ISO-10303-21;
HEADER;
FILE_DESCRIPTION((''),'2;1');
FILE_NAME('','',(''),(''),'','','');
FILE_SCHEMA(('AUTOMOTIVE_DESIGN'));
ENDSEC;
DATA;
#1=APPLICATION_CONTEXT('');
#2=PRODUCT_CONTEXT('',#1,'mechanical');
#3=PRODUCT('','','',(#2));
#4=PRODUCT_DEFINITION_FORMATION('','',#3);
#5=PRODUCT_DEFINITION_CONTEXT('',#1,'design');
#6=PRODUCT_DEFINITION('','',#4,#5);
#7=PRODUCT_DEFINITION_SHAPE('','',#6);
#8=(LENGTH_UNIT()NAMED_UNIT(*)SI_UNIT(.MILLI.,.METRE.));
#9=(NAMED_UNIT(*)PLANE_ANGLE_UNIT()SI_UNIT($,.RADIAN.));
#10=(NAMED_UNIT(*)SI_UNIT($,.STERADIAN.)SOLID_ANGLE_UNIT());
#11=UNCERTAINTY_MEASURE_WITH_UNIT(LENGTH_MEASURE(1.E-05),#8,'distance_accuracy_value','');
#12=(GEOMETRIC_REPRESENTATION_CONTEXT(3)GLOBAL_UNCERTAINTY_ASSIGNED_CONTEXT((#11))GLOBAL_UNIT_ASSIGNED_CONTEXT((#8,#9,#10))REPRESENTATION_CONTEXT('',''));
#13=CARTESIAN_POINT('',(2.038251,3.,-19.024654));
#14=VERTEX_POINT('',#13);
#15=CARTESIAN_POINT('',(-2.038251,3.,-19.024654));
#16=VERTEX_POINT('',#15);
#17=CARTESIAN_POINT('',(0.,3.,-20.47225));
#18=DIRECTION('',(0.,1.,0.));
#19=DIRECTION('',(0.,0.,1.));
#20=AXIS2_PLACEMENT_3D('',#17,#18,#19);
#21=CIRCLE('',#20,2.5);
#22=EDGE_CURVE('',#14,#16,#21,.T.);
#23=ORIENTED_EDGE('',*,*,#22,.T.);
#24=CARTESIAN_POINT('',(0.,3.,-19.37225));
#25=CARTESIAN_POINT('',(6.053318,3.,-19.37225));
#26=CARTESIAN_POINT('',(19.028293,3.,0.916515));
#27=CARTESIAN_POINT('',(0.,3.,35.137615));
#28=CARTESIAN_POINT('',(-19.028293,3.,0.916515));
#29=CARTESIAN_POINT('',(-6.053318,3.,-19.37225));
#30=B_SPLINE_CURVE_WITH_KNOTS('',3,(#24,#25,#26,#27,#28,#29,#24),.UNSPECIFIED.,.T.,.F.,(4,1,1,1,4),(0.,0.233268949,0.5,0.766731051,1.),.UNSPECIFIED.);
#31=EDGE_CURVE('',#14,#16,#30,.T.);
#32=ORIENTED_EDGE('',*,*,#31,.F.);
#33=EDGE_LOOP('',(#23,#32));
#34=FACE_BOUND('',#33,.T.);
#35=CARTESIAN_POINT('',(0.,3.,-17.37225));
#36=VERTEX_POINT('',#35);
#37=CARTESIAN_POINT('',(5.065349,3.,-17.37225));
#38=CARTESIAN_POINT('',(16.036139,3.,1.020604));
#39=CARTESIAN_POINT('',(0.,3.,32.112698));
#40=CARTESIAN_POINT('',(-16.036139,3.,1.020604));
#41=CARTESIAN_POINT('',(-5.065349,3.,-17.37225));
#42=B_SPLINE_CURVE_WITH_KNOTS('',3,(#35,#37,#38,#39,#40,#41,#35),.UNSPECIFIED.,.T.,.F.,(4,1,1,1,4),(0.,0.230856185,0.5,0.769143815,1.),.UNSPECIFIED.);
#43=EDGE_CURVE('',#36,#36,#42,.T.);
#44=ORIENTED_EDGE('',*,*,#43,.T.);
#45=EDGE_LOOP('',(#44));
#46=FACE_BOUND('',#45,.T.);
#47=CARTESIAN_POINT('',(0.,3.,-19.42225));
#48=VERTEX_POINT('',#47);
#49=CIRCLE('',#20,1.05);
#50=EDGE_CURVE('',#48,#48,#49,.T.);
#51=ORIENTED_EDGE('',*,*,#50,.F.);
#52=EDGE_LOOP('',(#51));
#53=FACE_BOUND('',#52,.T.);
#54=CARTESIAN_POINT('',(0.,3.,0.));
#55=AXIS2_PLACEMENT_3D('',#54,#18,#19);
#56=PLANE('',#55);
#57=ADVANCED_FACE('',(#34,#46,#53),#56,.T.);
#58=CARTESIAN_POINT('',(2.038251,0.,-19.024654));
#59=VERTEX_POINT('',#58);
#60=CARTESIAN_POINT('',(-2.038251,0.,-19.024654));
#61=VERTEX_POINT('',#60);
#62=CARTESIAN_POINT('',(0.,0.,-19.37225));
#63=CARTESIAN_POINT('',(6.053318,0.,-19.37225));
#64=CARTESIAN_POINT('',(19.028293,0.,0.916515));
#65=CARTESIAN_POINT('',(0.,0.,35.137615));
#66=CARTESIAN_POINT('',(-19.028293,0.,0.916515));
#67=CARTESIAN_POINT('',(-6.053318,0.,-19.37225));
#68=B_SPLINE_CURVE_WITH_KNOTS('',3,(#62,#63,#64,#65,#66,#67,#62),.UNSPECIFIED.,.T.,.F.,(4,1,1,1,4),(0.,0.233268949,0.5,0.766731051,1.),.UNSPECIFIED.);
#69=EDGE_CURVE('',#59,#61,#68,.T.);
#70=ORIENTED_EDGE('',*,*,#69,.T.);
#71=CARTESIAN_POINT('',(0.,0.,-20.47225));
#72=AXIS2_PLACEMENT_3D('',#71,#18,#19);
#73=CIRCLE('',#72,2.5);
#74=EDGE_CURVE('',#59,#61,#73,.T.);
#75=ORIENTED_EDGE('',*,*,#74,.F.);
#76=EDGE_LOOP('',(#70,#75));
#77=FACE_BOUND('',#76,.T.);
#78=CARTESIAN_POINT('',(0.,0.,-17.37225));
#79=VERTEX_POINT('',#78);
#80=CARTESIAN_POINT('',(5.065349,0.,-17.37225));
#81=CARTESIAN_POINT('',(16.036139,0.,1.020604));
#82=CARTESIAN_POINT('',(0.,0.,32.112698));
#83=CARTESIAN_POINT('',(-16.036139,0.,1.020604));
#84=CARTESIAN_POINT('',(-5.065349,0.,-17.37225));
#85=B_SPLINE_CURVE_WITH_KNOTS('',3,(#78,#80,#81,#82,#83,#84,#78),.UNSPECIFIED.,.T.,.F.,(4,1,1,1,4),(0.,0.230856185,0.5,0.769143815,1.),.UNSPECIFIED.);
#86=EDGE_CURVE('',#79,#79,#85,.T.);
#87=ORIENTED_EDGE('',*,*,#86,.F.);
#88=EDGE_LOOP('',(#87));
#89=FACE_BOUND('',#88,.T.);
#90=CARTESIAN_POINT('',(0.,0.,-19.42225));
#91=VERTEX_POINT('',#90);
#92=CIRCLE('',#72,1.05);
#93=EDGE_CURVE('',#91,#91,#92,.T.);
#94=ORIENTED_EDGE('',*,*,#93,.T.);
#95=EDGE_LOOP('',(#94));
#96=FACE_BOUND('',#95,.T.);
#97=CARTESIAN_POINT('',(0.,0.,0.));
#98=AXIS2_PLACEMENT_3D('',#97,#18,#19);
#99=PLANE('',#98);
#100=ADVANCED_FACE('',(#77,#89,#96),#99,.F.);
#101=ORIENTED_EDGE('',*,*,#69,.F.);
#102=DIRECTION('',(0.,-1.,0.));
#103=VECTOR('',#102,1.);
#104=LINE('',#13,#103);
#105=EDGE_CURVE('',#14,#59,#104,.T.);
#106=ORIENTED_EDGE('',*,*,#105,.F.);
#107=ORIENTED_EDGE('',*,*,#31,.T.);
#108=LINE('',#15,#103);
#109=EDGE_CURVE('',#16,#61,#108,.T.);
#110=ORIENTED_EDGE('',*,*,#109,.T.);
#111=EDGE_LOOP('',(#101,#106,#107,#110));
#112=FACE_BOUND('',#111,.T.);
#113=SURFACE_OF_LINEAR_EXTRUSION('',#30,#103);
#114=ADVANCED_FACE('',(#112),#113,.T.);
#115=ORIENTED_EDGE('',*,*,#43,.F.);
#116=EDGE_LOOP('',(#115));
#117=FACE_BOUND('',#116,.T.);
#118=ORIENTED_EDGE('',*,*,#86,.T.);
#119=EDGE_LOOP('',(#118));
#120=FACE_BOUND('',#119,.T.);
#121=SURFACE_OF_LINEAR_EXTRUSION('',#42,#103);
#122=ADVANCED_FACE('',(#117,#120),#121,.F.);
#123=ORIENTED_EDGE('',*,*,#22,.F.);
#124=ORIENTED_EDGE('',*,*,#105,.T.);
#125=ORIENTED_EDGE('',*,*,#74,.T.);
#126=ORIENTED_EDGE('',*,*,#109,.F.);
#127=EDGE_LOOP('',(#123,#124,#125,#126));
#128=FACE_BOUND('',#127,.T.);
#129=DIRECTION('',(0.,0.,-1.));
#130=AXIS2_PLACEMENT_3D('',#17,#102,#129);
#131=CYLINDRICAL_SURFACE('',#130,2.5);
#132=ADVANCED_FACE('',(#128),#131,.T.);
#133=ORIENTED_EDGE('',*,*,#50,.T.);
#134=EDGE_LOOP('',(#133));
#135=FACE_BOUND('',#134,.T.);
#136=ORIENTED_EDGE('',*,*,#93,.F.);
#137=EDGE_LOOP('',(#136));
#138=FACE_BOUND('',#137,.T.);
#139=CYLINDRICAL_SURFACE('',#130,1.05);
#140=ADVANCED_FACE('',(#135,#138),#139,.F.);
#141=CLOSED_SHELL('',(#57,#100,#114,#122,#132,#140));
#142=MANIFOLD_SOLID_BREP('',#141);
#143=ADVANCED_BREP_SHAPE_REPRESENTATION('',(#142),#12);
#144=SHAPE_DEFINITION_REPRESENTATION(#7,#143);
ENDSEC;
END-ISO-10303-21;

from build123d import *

# Parameters (mm, degrees)
SKETCH1_R           = 1.05
BOSS_EXTRUDE1_DEPTH = 3


with BuildPart() as part:
    # Sketch1 → Boss-Extrude1 (new body)
    # profile 1 of 2: a face of its own
    with BuildSketch(Plane(origin=(0, 0, 0), x_dir=(1, 0, 0), z_dir=(0, 1, 0))):
        with BuildLine():
            add(Edge.make_bspline(
                [(0, 19.37225), (0.682051251, 19.37225), (1.364102503, 19.25208178), (2.038250623, 19.024653924)],
                knots=[0, 0, 0, 0, 0.026283335, 0.026283335, 0.026283335, 0.026283335], degree=3))
            ThreePointArc((2.038250623, 19.024653924), (0, 22.97225), (-2.038250623, 19.024653924))
            add(Edge.make_bspline(
                [(-2.038250623, 19.024653924), (-1.364102503, 19.25208178), (-0.682051251, 19.37225), (0, 19.37225)],
                knots=[0.973716665, 0.973716665, 0.973716665, 0.973716665, 1, 1, 1, 1], degree=3))
        make_face()
        with Locations(Location((0, 20.47225, 0), (0, 0, 270))):
            Circle(SKETCH1_R, mode=Mode.SUBTRACT)
    # profile 2 of 2: a face of its own
    with BuildSketch(Plane(origin=(0, 0, 0), x_dir=(1, 0, 0), z_dir=(0, 1, 0))):
        with BuildLine():
            add(Edge.make_bspline(
                [(0, 19.37225), (6.053317743, 19.37225), (19.028293147, -0.916515404), (0, -35.137615431), (-19.028293147, -0.916515404), (-6.053317743, 19.37225), (0, 19.37225)],
                knots=[0, 0, 0, 0, 0.233268949, 0.5, 0.766731051, 1, 1, 1, 1], degree=3))
        make_face()
        with BuildLine():
            add(Edge.make_bspline(
                [(0, 17.37225), (5.065349214, 17.37225), (16.036138704, -1.020603978), (0, -32.112698185), (-16.036138704, -1.020603978), (-5.065349214, 17.37225), (0, 17.37225)],
                knots=[0, 0, 0, 0, 0.230856185, 0.5, 0.769143815, 1, 1, 1, 1], degree=3))
        make_face(mode=Mode.SUBTRACT)
    extrude(amount=BOSS_EXTRUDE1_DEPTH)


solid = part.part
